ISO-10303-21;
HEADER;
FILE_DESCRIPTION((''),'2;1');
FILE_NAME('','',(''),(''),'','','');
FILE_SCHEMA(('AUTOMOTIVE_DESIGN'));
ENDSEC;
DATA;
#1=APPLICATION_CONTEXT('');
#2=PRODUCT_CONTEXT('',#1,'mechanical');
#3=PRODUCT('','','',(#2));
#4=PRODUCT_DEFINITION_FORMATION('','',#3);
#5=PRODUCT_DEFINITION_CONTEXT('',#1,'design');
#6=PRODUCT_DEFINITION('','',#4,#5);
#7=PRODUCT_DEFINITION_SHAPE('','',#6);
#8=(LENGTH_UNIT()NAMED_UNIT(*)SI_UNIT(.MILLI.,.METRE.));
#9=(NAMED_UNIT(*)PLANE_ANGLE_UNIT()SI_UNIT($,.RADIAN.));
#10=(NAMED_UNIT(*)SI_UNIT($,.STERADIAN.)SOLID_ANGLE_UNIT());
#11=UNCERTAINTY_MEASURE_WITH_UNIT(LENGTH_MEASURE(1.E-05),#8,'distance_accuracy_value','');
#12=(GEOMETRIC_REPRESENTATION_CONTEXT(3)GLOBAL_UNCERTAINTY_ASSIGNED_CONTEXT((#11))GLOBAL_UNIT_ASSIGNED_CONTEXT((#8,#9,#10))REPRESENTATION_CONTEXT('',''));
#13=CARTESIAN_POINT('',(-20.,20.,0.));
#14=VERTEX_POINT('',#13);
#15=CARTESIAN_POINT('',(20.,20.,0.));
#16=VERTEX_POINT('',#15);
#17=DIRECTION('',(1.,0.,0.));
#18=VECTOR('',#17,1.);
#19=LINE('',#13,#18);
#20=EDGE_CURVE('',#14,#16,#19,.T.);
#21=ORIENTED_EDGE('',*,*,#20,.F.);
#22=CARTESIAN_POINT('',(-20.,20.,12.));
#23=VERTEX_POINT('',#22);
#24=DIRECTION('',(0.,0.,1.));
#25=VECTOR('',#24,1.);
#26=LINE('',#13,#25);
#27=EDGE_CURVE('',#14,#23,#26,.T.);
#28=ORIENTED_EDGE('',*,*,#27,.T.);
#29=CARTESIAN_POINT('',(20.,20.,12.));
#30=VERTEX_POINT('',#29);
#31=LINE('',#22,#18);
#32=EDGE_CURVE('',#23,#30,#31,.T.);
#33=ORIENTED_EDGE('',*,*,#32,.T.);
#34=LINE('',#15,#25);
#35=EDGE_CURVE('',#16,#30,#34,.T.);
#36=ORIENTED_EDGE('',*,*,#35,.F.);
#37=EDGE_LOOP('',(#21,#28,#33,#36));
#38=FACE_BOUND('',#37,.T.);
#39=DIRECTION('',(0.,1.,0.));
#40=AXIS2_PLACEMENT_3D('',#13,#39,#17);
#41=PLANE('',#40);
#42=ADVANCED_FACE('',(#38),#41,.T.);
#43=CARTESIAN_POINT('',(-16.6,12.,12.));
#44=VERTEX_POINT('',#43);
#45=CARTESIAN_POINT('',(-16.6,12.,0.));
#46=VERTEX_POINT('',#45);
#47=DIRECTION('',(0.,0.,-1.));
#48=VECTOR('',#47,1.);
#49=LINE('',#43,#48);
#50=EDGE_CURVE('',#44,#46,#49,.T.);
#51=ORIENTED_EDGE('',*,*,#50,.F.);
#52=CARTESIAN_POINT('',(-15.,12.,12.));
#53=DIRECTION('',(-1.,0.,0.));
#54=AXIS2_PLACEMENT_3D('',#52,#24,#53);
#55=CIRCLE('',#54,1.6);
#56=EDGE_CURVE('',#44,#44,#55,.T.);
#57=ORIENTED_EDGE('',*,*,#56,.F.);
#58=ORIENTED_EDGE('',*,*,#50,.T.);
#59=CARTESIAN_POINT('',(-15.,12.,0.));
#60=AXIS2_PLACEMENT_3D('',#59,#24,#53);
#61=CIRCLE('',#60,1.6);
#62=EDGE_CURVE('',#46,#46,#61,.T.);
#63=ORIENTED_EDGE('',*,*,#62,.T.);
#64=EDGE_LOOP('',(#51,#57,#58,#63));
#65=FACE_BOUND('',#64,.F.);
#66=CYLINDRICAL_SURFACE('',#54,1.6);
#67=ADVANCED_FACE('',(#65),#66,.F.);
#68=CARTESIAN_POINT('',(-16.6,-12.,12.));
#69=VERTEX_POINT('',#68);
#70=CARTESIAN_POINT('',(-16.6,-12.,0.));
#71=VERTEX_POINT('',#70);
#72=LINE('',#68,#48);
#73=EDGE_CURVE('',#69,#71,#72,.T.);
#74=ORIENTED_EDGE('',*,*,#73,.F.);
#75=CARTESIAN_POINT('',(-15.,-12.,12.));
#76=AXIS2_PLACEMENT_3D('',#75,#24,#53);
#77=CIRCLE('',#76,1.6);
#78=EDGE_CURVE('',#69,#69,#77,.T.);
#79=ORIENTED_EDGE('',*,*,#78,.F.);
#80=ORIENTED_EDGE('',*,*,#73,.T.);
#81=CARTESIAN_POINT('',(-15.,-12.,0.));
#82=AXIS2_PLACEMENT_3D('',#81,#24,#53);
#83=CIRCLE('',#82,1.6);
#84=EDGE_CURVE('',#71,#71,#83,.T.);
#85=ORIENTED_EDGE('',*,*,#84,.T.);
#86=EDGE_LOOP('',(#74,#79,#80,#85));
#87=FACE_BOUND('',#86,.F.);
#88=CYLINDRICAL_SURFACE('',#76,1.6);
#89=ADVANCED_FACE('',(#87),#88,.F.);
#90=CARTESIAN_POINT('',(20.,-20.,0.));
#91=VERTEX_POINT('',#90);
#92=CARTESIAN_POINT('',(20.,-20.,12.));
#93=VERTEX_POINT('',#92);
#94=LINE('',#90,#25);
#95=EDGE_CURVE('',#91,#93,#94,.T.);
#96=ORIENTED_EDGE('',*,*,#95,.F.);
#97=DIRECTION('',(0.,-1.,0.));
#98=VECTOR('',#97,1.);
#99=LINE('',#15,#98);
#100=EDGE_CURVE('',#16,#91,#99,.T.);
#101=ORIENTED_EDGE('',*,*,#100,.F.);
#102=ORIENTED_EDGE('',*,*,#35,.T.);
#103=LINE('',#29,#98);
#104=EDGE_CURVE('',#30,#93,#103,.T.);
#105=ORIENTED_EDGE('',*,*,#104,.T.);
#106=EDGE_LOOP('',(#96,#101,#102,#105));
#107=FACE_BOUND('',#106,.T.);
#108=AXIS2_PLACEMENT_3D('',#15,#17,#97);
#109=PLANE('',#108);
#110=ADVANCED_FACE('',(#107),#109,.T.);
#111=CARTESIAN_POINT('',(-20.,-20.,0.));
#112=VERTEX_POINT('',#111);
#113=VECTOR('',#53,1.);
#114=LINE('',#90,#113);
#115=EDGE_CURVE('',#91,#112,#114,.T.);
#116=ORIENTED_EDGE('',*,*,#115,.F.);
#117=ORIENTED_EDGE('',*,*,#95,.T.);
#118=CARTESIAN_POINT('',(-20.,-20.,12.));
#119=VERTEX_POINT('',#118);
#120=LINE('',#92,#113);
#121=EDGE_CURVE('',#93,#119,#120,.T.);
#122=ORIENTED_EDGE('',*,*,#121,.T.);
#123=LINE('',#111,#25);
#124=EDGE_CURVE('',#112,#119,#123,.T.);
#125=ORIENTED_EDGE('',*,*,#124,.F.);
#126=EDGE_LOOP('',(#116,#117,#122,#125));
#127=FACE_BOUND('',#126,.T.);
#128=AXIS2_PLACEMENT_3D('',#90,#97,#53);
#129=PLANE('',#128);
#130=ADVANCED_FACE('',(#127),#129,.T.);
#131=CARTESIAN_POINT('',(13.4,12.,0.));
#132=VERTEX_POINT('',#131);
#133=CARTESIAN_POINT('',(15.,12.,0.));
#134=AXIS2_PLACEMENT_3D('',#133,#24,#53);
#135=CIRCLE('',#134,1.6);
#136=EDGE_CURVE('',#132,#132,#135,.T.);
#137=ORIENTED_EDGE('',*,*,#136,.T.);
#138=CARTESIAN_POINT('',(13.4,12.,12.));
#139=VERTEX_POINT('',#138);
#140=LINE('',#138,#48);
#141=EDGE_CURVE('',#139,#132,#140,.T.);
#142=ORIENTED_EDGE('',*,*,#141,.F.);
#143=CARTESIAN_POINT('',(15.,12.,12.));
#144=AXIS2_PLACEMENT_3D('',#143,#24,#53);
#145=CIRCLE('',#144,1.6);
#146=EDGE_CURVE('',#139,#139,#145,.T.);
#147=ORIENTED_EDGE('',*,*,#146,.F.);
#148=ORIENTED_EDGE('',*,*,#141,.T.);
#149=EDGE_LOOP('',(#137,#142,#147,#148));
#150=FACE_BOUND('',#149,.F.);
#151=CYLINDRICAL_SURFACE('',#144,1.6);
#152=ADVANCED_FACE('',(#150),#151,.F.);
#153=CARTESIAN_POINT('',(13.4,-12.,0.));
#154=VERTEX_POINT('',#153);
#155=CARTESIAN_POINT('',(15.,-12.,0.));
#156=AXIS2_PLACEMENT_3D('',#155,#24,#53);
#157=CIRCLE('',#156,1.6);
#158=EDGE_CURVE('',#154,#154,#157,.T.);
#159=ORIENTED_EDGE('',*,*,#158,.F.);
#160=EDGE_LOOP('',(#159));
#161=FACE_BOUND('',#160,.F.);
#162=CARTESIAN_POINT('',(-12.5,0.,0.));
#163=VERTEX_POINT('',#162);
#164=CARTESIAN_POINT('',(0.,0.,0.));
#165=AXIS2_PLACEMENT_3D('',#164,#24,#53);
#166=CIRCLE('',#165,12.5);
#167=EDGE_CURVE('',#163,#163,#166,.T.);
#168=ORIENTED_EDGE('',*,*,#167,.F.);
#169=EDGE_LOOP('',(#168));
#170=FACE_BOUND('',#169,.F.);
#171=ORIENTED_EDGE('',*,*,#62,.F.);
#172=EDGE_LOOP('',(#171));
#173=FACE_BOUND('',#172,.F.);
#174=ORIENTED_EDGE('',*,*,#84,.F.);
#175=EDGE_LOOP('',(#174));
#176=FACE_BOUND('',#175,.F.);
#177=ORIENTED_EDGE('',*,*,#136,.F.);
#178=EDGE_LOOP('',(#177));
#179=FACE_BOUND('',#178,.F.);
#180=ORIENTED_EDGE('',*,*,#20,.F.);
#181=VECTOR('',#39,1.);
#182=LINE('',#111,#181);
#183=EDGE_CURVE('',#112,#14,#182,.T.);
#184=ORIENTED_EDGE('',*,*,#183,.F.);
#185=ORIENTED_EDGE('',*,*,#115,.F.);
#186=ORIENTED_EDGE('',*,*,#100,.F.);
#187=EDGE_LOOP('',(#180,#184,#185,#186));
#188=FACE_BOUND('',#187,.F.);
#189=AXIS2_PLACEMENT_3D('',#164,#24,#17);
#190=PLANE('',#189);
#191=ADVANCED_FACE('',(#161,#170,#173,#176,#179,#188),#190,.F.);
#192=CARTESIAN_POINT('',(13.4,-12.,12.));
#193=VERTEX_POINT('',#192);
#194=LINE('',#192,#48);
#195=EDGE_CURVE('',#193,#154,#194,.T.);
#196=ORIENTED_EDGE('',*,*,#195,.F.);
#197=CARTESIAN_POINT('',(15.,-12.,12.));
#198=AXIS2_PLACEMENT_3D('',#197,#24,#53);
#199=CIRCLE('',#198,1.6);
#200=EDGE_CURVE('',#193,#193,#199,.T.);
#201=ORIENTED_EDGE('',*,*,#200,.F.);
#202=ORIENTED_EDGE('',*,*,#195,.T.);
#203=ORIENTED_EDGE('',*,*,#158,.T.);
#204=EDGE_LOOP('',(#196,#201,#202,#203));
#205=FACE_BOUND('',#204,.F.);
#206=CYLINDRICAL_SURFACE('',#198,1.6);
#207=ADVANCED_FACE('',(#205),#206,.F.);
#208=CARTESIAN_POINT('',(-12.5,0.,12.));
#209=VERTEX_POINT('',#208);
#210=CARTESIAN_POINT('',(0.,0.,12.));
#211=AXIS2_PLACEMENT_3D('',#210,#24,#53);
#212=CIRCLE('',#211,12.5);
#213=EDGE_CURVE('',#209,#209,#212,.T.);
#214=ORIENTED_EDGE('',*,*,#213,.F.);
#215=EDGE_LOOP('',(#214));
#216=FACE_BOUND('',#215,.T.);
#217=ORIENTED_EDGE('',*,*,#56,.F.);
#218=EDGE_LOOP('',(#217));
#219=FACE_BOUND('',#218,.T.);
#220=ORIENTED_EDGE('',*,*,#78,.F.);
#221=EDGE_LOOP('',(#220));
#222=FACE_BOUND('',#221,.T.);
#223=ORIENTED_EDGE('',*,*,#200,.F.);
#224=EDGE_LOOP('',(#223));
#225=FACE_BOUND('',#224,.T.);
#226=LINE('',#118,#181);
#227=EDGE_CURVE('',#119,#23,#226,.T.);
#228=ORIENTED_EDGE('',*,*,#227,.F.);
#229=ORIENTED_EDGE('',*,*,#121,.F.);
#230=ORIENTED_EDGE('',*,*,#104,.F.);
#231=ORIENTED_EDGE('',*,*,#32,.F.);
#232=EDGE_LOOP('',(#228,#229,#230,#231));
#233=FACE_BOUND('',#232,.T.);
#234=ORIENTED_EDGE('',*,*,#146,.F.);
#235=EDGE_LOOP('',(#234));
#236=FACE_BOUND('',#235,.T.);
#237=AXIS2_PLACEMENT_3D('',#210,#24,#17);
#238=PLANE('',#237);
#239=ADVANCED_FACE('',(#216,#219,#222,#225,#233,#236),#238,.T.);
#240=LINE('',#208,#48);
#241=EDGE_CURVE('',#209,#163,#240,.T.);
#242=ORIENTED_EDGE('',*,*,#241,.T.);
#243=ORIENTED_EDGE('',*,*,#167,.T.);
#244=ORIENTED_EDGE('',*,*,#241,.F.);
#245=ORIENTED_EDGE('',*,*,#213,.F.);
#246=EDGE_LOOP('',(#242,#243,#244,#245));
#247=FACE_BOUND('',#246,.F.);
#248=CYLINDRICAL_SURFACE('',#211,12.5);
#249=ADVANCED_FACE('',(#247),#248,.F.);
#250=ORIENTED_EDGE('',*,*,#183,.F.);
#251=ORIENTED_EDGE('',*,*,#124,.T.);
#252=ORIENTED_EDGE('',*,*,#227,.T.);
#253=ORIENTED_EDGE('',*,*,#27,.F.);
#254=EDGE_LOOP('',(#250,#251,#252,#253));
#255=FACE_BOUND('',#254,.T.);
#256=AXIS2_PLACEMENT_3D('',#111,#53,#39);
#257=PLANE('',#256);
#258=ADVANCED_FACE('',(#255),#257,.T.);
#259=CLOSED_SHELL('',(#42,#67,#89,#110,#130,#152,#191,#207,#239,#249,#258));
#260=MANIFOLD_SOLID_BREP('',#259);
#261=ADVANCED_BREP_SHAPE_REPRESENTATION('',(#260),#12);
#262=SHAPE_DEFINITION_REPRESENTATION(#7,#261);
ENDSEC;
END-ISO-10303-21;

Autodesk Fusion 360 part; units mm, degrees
sketch "Sketch1" plane through (0, 0, 0) normal (0, 0, 1) x (1, 0, 0)
  line L0 (-20, 20) -> (20, 20)
  line L1 (20, 20) -> (20, -20)
  line L2 (20, -20) -> (-20, -20)
  line L3 (-20, -20) -> (-20, 20)
  line L4 (0, 0) -> (15, 0)
  line L5 (0, 0) -> (0, -12)
  line L6 (0, -12) -> (15, -12)
  line L7 (15, -12) -> (-15, -12)
  line L8 (-15, -12) -> (-15, 12)
  line L9 (-15, 12) -> (15, 12)
  line L10 (15, 12) -> (15, -12)
  circle A0 centre (-15, 12) radius 1.5
  circle A1 centre (15, 12) radius 1.5
  circle A2 centre (15, -12) radius 1.5
  circle A3 centre (-15, -12) radius 1.5
  dimension "d1" = 12
  dimension "d2" = 30
  dimension "d3" = 24
  dimension "d4" = 3
  dimension "d5" = 3
  dimension "d6" = 3
  dimension "d7" = 3
extrude "Extrude1" add sketch "Sketch1" along normal blind 12 contours L0 L1 L2 L3 | L4 L5 L7 L8 L9 L10 A0 A1 A3 | L4 L5 L6 L7 L10 A2
sketch "Sketch2" plane through (0, 0, 12) normal (0, 0, 1) x (-1, 0, 0)
  circle A0 centre (-15, -12) radius 1.5
  circle A1 centre (15, 12) radius 1.5
  circle A2 centre (15, -12) radius 1.5
  circle A3 centre (-15, 12) radius 1.5
  line L0 (20, 20) -> (-20, 20)
  line L1 (-20, 20) -> (-20, -20)
  line L2 (-20, -20) -> (20, -20)
  line L3 (20, -20) -> (20, 20)
  circle A4 centre (0, 0) radius 12.5
  dimension "d10" = 25
extrude "Extrude2" cut sketch "Sketch2" against normal blind 12 contours A4
sketch "Sketch3" plane through (0, 0, 12) normal (0, 0, 1) x (-1, 0, 0)
  circle A0 centre (0, 0) radius 12.5
  circle A1 centre (-15, -12) radius 1.5
  circle A2 centre (15, 12) radius 1.5
  circle A3 centre (15, -12) radius 1.5
  circle A4 centre (-15, 12) radius 1.5
  line L0 (20, 20) -> (-20, 20)
  line L1 (-20, 20) -> (-20, -20)
  line L2 (-20, -20) -> (20, -20)
  line L3 (20, -20) -> (20, 20)
  circle A5 centre (15, -12) radius 1.6
  circle A6 centre (-15, -12) radius 1.6
  circle A7 centre (-15, 12) radius 1.6
  circle A8 centre (15, 12) radius 1.6
  dimension "d13" = 3.2
  dimension "d14" = 3.2
  dimension "d15" = 3.2
  dimension "d16" = 3.2
extrude "Extrude3" cut sketch "Sketch3" against normal blind 12 contours A5 | A6 | A7 | A8
sketch "Sketch4" plane through (0, 0, 12) normal (0, 0, 1) x (-1, 0, 0)
  circle A0 centre (15, 12) radius 1.6
  circle A1 centre (-15, 12) radius 1.6
  circle A2 centre (15, -12) radius 1.6
  circle A3 centre (-15, -12) radius 1.6
  circle A4 centre (0, 0) radius 12.5
  line L0 (20, 20) -> (-20, 20)
  line L1 (-20, 20) -> (-20, -20)
  line L2 (-20, -20) -> (20, -20)
  line L3 (20, -20) -> (20, 20)
